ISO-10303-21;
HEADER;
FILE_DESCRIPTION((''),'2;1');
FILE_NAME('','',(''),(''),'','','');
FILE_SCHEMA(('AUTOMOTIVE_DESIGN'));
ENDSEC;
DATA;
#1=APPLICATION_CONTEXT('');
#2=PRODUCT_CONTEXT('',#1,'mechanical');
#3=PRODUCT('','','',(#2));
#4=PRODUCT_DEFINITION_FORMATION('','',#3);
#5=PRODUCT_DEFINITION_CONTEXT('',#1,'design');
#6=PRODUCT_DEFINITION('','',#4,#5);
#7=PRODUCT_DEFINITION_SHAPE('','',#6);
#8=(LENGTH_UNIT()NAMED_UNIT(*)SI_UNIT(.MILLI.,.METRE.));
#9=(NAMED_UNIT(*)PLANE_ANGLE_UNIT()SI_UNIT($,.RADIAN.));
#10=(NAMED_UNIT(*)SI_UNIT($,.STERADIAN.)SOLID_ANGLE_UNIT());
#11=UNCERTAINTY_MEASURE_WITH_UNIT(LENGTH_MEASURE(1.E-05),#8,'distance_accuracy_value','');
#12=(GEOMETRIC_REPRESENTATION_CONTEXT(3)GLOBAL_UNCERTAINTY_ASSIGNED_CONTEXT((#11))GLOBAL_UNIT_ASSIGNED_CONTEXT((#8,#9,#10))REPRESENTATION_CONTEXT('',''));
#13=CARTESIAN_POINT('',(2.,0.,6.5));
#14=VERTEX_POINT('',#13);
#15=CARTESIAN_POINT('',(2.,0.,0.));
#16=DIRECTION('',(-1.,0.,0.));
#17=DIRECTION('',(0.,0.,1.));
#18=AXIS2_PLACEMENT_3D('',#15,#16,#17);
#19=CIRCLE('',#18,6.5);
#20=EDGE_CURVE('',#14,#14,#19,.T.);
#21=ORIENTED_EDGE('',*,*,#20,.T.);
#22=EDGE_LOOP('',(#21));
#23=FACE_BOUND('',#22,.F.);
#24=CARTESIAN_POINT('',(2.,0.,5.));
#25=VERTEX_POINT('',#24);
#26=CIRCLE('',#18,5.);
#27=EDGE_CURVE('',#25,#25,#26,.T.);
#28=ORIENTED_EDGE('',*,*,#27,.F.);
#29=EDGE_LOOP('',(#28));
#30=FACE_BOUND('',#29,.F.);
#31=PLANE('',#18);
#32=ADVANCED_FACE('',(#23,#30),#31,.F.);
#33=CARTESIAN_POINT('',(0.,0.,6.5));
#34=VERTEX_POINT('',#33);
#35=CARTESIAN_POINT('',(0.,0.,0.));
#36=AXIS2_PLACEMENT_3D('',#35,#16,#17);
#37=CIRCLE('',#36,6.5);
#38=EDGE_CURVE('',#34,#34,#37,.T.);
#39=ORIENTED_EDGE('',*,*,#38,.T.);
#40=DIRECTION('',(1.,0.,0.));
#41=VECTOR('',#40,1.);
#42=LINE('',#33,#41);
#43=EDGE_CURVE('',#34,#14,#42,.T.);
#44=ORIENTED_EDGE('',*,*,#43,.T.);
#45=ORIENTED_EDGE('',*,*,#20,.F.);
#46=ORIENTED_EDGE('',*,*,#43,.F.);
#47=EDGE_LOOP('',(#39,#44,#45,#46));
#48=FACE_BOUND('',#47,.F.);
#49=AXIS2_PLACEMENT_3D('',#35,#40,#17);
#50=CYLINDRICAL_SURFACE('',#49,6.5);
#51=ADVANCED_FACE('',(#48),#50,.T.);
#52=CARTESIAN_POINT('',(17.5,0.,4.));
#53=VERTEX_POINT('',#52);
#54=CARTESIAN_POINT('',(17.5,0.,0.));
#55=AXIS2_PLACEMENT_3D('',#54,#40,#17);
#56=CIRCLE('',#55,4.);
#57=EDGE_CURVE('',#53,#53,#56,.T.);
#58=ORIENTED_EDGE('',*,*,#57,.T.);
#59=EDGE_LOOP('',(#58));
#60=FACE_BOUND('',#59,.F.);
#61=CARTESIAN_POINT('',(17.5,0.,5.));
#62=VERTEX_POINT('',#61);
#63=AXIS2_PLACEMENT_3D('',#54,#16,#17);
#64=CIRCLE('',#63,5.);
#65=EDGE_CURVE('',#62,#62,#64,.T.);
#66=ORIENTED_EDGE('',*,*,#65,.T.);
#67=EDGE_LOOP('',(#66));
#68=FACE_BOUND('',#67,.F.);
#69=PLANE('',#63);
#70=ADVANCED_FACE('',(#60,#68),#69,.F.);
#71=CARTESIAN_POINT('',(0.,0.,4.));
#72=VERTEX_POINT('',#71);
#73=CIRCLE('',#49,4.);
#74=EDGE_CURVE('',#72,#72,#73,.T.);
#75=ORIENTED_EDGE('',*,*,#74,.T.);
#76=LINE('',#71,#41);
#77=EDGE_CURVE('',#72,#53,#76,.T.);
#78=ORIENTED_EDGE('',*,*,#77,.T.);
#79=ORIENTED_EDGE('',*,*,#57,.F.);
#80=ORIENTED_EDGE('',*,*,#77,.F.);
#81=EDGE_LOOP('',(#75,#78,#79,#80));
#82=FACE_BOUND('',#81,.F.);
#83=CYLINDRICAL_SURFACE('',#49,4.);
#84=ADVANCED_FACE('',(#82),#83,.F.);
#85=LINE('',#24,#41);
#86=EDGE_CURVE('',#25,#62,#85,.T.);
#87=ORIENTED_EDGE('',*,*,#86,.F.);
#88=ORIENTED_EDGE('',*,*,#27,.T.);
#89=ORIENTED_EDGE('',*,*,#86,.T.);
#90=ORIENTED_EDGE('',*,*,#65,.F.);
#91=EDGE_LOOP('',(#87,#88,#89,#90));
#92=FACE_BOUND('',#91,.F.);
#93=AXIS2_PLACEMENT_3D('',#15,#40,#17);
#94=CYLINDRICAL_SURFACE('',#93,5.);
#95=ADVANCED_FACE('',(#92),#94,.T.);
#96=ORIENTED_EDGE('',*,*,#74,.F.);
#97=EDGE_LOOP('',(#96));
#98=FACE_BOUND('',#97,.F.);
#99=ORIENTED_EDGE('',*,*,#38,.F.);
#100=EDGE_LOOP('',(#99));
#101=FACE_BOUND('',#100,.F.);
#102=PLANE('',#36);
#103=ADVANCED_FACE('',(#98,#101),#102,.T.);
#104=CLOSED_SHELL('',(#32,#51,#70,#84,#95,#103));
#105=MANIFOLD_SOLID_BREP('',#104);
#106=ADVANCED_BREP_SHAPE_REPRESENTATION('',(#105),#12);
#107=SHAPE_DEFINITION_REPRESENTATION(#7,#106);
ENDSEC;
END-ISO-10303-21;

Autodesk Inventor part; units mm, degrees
ref_plane "YZ Plane" through (0, 0, 0) normal (1, 0, 0) x (0, 1, 0)
ref_plane "XZ Plane" through (0, 0, 0) normal (0, 1, 0) x (-1, 0, 0)
ref_plane "XY Plane" through (0, 0, 0) normal (0, 0, 1) x (1, 0, 0)
sketch "Skizze1" plane through (0, 0, 0) normal (0, 1, 0) x (-1, 0, 0)
  line L0 (0, 0) -> (0, 6.5)
  line L1 (0, 6.5) -> (-2, 6.5)
  line L2 (-2, 6.5) -> (-2, 5)
  line L3 (-2, 5) -> (-17.5, 5)
  line L4 (-17.5, 5) -> (-17.5, 0)
  line L5 (-17.5, 0) -> (0, 0)
  dimension "d0" = 10
  dimension "d1" = 13
  dimension "d2" = 2
  dimension "d3" = 15.5
revolve "Umdrehung1" add sketch "Skizze1" angle 360 about axis through (17.5, 0, 0) along (-1, 0, 0)
sketch "Skizze2" plane through (0, 0, 0) normal (-1, 0, 0) x (0, 0, 1)
  circle A0 centre (0, 0) radius 6.5 projected
  point P0 (0, 0)
hole "Bohrung1" at (0, 0, 0) direction (1, 0, 0) diameter 8 end through all
properties part number "202 fitting" material "Gold"
